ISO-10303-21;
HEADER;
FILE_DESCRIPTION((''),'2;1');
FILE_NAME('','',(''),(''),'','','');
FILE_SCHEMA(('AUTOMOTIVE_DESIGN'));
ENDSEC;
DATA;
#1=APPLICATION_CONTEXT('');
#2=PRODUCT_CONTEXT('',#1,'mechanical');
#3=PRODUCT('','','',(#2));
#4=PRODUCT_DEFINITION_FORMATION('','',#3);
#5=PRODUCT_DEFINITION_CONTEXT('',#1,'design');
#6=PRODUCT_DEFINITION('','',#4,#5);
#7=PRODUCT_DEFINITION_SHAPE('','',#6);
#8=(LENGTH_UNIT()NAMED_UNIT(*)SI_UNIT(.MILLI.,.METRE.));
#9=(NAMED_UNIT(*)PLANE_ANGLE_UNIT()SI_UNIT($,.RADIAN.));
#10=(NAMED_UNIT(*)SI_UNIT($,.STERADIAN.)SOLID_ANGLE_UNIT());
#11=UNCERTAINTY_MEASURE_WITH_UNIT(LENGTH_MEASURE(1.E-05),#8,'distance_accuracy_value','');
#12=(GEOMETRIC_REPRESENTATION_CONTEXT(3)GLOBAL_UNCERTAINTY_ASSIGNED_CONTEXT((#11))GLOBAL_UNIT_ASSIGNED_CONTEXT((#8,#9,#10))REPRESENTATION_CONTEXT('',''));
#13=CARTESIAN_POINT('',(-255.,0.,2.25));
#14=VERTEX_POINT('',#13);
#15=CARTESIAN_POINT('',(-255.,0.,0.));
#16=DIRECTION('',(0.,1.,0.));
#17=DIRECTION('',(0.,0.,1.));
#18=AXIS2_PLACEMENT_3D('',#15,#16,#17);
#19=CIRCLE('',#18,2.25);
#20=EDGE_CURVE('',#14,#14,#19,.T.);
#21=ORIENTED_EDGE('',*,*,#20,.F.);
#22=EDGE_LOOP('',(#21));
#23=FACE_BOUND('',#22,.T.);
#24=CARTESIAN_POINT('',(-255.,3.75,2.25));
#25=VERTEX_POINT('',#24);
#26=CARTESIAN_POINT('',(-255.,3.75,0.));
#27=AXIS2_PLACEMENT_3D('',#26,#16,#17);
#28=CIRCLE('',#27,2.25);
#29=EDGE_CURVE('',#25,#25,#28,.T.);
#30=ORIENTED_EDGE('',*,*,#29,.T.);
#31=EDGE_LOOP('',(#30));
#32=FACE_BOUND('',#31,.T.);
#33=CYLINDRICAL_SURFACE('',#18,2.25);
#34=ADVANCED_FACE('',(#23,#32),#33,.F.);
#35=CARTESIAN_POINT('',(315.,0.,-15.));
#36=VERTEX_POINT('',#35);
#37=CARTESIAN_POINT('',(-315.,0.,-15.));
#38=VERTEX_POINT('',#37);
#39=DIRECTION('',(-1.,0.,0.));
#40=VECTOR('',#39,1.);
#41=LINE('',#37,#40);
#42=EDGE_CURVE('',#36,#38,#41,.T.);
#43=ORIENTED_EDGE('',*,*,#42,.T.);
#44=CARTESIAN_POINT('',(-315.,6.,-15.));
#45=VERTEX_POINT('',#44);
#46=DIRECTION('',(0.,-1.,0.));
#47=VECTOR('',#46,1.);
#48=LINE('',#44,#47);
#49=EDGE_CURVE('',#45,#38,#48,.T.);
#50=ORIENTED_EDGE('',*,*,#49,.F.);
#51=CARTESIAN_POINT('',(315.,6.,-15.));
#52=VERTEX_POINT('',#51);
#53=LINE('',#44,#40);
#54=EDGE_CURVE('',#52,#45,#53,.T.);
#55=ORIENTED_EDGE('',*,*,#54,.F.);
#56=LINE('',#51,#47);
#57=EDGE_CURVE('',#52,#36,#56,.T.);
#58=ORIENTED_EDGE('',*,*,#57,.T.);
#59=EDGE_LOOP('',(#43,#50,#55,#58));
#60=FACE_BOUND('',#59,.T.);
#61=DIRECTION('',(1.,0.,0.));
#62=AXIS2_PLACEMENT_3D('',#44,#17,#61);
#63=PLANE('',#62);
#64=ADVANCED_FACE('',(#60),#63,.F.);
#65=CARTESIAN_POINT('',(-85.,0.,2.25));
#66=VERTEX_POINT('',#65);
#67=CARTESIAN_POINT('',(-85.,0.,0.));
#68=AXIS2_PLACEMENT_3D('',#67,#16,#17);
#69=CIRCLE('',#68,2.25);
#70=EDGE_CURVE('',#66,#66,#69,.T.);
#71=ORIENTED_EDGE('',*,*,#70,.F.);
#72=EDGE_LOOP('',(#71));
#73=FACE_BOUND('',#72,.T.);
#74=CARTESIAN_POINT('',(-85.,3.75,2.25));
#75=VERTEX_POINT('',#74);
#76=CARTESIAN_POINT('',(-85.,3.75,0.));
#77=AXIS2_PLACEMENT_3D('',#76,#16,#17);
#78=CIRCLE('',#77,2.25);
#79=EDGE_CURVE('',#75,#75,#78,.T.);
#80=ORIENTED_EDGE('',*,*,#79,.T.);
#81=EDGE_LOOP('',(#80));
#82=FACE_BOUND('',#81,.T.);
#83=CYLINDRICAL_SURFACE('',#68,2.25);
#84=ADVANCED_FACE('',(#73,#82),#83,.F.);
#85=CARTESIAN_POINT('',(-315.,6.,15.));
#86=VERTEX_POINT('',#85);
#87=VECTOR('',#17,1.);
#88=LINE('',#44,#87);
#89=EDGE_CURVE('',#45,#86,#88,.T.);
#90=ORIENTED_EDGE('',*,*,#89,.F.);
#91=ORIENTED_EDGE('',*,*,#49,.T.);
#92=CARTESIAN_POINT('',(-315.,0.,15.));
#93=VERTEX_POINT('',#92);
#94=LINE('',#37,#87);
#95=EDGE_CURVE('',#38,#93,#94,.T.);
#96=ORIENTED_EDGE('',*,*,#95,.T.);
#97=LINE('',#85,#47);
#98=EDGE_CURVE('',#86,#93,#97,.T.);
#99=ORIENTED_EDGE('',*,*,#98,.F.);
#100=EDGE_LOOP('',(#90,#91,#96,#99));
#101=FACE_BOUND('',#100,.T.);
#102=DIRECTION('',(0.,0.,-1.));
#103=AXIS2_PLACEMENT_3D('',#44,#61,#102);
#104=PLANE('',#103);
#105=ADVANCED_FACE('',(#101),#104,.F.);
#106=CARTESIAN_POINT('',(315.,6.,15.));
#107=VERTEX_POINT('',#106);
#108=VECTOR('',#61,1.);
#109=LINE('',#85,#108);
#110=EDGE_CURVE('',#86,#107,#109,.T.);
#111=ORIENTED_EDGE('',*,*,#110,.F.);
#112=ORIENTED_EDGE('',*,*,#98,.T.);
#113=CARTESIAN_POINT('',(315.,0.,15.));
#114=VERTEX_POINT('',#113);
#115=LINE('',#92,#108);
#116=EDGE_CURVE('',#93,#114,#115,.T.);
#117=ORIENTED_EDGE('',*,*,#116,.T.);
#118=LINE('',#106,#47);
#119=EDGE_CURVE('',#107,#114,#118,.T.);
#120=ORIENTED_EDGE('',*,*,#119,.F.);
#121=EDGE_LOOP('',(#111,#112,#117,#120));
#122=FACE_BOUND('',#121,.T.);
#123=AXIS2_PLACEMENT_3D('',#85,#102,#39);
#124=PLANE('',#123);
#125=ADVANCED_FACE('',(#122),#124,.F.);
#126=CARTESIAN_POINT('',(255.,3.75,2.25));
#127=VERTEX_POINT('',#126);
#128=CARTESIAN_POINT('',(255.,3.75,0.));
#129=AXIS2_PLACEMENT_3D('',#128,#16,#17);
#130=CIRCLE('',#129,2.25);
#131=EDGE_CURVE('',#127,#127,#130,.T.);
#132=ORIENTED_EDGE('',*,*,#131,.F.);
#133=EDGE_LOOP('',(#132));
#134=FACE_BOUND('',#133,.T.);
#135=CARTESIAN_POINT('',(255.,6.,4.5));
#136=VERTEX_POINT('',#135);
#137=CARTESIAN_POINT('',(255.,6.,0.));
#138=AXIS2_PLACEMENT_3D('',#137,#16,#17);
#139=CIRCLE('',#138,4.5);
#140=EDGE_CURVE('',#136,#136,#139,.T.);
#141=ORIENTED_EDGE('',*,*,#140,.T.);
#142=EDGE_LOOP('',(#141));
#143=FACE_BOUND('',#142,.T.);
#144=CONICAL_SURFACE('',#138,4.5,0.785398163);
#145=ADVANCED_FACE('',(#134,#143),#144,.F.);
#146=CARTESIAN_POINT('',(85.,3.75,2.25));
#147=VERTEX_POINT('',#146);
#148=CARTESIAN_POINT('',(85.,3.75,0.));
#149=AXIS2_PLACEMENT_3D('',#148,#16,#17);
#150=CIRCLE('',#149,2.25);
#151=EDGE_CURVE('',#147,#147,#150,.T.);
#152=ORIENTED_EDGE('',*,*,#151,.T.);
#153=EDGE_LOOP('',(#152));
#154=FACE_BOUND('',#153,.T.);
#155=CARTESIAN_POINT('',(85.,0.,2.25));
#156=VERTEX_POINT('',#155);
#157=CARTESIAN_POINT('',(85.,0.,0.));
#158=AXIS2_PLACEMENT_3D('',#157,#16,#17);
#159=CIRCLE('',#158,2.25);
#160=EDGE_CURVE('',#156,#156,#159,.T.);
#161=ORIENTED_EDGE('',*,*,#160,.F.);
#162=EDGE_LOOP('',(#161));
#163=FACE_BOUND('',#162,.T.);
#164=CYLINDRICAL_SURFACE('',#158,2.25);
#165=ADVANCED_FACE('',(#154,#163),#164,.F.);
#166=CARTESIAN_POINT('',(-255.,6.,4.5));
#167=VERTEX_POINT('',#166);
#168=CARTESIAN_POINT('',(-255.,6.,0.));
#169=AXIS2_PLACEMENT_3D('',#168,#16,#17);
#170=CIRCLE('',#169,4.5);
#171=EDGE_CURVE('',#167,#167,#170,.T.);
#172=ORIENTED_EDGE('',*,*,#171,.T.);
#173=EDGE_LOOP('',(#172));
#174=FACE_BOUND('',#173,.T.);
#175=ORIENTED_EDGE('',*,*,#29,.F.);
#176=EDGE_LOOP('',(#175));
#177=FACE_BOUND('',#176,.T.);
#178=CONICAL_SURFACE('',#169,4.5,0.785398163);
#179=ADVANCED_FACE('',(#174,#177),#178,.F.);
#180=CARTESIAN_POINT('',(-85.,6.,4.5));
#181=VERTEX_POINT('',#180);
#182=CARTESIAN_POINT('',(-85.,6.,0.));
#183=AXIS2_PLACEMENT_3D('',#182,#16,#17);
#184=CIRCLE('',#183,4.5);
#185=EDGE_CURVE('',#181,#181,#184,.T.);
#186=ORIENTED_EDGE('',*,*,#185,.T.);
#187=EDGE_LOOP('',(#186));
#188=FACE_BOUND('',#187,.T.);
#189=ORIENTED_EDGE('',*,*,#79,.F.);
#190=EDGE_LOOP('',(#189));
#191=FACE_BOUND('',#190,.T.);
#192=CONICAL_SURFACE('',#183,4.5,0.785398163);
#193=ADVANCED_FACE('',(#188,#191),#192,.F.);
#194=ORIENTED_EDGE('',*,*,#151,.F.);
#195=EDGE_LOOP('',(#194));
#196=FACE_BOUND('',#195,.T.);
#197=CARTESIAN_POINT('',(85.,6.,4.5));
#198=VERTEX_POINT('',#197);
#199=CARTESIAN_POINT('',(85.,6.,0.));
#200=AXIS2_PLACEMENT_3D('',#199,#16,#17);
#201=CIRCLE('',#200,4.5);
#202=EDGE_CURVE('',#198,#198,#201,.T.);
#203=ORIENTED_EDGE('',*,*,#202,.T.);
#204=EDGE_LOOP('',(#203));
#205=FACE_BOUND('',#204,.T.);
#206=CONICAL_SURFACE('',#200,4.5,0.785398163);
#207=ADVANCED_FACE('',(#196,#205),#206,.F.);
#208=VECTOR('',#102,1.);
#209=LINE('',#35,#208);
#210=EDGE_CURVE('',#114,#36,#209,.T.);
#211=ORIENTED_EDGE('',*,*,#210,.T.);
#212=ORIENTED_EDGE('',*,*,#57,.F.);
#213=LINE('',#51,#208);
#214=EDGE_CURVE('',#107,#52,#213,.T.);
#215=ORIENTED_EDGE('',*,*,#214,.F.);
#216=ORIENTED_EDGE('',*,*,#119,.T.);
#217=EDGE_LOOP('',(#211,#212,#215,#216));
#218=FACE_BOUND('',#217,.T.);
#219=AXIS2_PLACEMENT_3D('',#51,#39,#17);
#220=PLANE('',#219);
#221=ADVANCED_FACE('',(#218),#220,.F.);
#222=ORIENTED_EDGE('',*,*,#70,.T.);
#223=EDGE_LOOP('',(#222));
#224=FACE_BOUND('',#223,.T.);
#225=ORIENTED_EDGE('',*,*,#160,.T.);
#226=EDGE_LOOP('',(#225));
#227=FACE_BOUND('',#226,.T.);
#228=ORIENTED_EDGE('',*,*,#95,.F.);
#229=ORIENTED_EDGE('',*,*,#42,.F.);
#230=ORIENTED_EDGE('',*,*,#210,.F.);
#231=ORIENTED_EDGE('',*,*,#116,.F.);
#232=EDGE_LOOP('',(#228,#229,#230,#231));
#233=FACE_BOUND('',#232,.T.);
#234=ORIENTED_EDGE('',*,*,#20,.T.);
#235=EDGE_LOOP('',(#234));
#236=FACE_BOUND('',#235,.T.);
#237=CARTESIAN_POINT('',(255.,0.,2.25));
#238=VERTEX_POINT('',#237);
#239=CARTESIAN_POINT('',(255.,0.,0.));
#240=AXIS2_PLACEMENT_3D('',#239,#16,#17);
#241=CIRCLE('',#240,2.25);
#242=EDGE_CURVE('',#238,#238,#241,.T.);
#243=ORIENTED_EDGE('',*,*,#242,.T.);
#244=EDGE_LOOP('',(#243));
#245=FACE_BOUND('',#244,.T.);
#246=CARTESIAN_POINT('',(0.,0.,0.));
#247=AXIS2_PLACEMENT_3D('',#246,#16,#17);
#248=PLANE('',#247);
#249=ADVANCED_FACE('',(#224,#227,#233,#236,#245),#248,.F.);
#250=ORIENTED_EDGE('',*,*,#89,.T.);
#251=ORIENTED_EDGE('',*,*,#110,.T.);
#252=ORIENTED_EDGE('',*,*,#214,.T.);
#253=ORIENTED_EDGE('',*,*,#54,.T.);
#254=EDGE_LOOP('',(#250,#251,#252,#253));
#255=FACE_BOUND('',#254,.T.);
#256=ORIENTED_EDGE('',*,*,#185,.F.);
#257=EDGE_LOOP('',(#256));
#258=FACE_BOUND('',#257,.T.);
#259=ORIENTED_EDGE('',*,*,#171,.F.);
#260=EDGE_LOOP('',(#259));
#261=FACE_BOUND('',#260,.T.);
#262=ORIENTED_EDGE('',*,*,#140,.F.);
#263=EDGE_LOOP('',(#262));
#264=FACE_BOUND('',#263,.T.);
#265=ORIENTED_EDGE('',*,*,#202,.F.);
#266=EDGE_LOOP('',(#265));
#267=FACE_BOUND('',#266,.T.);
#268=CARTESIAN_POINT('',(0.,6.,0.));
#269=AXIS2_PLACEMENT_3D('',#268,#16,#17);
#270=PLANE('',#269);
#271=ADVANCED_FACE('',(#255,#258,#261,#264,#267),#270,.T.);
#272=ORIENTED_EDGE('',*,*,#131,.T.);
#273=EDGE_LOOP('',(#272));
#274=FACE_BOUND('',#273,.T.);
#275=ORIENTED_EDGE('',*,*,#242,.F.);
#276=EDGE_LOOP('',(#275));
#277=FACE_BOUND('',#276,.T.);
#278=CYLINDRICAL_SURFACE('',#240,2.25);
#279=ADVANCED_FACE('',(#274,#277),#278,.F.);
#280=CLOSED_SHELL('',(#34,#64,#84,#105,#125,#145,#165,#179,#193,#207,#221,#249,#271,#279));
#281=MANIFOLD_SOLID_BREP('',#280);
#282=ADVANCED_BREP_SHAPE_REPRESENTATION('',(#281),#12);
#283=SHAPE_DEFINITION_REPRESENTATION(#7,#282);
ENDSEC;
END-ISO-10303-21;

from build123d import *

# Parameters (mm, degrees)
SKETCH1_W           = 630
SKETCH1_H           = 30
BOSS_EXTRUDE1_DEPTH = 6
SKETCH4_R           = 2.25
CUT_EXTRUDE1_DEPTH  = 316.414013639
LPATTERN2_COUNT     = 4
LPATTERN2_PITCH     = 170


with BuildPart() as part:
    # Sketch1 → Boss-Extrude1 (new body)
    with BuildSketch(Plane(origin=(0, 0, 0), x_dir=(1, 0, 0), z_dir=(0, 1, 0))):
        Rectangle(SKETCH1_W, SKETCH1_H)
    extrude(amount=BOSS_EXTRUDE1_DEPTH)

    # Sketch4 → Cut-Extrude1 (cut, through all)
    with BuildSketch(Plane(origin=(0, 6, 0), x_dir=(1, 0, 0), z_dir=(0, 1, 0))):
        with Locations(Location((-255, 0, 0), (0, 0, 270))):
            Circle(SKETCH4_R)
    cut_extrude1 = extrude(amount=-CUT_EXTRUDE1_DEPTH, mode=Mode.SUBTRACT)

    # Cut-Extrude2 cone 1 section (through the dimple's axis) → Cut-Extrude2 (revolve, cut)
    with BuildSketch(Plane(origin=(-255, 6, 0), x_dir=(0, 0, 1), z_dir=(1, 0, 0))):
        Polygon((0, 0), (4.5, 0), (0, 4.5), align=None)
    cut_extrude2 = revolve(axis=Axis((-255, 6, 0), (0, -1, 0)), mode=Mode.SUBTRACT)

    # LPattern2: Cut-Extrude1, Cut-Extrude2 ×4
    with Locations(*[(i * LPATTERN2_PITCH, 0, 0) for i in range(1, LPATTERN2_COUNT)]):
        add(cut_extrude1, mode=Mode.SUBTRACT)
        add(cut_extrude2, mode=Mode.SUBTRACT)


solid = part.part
